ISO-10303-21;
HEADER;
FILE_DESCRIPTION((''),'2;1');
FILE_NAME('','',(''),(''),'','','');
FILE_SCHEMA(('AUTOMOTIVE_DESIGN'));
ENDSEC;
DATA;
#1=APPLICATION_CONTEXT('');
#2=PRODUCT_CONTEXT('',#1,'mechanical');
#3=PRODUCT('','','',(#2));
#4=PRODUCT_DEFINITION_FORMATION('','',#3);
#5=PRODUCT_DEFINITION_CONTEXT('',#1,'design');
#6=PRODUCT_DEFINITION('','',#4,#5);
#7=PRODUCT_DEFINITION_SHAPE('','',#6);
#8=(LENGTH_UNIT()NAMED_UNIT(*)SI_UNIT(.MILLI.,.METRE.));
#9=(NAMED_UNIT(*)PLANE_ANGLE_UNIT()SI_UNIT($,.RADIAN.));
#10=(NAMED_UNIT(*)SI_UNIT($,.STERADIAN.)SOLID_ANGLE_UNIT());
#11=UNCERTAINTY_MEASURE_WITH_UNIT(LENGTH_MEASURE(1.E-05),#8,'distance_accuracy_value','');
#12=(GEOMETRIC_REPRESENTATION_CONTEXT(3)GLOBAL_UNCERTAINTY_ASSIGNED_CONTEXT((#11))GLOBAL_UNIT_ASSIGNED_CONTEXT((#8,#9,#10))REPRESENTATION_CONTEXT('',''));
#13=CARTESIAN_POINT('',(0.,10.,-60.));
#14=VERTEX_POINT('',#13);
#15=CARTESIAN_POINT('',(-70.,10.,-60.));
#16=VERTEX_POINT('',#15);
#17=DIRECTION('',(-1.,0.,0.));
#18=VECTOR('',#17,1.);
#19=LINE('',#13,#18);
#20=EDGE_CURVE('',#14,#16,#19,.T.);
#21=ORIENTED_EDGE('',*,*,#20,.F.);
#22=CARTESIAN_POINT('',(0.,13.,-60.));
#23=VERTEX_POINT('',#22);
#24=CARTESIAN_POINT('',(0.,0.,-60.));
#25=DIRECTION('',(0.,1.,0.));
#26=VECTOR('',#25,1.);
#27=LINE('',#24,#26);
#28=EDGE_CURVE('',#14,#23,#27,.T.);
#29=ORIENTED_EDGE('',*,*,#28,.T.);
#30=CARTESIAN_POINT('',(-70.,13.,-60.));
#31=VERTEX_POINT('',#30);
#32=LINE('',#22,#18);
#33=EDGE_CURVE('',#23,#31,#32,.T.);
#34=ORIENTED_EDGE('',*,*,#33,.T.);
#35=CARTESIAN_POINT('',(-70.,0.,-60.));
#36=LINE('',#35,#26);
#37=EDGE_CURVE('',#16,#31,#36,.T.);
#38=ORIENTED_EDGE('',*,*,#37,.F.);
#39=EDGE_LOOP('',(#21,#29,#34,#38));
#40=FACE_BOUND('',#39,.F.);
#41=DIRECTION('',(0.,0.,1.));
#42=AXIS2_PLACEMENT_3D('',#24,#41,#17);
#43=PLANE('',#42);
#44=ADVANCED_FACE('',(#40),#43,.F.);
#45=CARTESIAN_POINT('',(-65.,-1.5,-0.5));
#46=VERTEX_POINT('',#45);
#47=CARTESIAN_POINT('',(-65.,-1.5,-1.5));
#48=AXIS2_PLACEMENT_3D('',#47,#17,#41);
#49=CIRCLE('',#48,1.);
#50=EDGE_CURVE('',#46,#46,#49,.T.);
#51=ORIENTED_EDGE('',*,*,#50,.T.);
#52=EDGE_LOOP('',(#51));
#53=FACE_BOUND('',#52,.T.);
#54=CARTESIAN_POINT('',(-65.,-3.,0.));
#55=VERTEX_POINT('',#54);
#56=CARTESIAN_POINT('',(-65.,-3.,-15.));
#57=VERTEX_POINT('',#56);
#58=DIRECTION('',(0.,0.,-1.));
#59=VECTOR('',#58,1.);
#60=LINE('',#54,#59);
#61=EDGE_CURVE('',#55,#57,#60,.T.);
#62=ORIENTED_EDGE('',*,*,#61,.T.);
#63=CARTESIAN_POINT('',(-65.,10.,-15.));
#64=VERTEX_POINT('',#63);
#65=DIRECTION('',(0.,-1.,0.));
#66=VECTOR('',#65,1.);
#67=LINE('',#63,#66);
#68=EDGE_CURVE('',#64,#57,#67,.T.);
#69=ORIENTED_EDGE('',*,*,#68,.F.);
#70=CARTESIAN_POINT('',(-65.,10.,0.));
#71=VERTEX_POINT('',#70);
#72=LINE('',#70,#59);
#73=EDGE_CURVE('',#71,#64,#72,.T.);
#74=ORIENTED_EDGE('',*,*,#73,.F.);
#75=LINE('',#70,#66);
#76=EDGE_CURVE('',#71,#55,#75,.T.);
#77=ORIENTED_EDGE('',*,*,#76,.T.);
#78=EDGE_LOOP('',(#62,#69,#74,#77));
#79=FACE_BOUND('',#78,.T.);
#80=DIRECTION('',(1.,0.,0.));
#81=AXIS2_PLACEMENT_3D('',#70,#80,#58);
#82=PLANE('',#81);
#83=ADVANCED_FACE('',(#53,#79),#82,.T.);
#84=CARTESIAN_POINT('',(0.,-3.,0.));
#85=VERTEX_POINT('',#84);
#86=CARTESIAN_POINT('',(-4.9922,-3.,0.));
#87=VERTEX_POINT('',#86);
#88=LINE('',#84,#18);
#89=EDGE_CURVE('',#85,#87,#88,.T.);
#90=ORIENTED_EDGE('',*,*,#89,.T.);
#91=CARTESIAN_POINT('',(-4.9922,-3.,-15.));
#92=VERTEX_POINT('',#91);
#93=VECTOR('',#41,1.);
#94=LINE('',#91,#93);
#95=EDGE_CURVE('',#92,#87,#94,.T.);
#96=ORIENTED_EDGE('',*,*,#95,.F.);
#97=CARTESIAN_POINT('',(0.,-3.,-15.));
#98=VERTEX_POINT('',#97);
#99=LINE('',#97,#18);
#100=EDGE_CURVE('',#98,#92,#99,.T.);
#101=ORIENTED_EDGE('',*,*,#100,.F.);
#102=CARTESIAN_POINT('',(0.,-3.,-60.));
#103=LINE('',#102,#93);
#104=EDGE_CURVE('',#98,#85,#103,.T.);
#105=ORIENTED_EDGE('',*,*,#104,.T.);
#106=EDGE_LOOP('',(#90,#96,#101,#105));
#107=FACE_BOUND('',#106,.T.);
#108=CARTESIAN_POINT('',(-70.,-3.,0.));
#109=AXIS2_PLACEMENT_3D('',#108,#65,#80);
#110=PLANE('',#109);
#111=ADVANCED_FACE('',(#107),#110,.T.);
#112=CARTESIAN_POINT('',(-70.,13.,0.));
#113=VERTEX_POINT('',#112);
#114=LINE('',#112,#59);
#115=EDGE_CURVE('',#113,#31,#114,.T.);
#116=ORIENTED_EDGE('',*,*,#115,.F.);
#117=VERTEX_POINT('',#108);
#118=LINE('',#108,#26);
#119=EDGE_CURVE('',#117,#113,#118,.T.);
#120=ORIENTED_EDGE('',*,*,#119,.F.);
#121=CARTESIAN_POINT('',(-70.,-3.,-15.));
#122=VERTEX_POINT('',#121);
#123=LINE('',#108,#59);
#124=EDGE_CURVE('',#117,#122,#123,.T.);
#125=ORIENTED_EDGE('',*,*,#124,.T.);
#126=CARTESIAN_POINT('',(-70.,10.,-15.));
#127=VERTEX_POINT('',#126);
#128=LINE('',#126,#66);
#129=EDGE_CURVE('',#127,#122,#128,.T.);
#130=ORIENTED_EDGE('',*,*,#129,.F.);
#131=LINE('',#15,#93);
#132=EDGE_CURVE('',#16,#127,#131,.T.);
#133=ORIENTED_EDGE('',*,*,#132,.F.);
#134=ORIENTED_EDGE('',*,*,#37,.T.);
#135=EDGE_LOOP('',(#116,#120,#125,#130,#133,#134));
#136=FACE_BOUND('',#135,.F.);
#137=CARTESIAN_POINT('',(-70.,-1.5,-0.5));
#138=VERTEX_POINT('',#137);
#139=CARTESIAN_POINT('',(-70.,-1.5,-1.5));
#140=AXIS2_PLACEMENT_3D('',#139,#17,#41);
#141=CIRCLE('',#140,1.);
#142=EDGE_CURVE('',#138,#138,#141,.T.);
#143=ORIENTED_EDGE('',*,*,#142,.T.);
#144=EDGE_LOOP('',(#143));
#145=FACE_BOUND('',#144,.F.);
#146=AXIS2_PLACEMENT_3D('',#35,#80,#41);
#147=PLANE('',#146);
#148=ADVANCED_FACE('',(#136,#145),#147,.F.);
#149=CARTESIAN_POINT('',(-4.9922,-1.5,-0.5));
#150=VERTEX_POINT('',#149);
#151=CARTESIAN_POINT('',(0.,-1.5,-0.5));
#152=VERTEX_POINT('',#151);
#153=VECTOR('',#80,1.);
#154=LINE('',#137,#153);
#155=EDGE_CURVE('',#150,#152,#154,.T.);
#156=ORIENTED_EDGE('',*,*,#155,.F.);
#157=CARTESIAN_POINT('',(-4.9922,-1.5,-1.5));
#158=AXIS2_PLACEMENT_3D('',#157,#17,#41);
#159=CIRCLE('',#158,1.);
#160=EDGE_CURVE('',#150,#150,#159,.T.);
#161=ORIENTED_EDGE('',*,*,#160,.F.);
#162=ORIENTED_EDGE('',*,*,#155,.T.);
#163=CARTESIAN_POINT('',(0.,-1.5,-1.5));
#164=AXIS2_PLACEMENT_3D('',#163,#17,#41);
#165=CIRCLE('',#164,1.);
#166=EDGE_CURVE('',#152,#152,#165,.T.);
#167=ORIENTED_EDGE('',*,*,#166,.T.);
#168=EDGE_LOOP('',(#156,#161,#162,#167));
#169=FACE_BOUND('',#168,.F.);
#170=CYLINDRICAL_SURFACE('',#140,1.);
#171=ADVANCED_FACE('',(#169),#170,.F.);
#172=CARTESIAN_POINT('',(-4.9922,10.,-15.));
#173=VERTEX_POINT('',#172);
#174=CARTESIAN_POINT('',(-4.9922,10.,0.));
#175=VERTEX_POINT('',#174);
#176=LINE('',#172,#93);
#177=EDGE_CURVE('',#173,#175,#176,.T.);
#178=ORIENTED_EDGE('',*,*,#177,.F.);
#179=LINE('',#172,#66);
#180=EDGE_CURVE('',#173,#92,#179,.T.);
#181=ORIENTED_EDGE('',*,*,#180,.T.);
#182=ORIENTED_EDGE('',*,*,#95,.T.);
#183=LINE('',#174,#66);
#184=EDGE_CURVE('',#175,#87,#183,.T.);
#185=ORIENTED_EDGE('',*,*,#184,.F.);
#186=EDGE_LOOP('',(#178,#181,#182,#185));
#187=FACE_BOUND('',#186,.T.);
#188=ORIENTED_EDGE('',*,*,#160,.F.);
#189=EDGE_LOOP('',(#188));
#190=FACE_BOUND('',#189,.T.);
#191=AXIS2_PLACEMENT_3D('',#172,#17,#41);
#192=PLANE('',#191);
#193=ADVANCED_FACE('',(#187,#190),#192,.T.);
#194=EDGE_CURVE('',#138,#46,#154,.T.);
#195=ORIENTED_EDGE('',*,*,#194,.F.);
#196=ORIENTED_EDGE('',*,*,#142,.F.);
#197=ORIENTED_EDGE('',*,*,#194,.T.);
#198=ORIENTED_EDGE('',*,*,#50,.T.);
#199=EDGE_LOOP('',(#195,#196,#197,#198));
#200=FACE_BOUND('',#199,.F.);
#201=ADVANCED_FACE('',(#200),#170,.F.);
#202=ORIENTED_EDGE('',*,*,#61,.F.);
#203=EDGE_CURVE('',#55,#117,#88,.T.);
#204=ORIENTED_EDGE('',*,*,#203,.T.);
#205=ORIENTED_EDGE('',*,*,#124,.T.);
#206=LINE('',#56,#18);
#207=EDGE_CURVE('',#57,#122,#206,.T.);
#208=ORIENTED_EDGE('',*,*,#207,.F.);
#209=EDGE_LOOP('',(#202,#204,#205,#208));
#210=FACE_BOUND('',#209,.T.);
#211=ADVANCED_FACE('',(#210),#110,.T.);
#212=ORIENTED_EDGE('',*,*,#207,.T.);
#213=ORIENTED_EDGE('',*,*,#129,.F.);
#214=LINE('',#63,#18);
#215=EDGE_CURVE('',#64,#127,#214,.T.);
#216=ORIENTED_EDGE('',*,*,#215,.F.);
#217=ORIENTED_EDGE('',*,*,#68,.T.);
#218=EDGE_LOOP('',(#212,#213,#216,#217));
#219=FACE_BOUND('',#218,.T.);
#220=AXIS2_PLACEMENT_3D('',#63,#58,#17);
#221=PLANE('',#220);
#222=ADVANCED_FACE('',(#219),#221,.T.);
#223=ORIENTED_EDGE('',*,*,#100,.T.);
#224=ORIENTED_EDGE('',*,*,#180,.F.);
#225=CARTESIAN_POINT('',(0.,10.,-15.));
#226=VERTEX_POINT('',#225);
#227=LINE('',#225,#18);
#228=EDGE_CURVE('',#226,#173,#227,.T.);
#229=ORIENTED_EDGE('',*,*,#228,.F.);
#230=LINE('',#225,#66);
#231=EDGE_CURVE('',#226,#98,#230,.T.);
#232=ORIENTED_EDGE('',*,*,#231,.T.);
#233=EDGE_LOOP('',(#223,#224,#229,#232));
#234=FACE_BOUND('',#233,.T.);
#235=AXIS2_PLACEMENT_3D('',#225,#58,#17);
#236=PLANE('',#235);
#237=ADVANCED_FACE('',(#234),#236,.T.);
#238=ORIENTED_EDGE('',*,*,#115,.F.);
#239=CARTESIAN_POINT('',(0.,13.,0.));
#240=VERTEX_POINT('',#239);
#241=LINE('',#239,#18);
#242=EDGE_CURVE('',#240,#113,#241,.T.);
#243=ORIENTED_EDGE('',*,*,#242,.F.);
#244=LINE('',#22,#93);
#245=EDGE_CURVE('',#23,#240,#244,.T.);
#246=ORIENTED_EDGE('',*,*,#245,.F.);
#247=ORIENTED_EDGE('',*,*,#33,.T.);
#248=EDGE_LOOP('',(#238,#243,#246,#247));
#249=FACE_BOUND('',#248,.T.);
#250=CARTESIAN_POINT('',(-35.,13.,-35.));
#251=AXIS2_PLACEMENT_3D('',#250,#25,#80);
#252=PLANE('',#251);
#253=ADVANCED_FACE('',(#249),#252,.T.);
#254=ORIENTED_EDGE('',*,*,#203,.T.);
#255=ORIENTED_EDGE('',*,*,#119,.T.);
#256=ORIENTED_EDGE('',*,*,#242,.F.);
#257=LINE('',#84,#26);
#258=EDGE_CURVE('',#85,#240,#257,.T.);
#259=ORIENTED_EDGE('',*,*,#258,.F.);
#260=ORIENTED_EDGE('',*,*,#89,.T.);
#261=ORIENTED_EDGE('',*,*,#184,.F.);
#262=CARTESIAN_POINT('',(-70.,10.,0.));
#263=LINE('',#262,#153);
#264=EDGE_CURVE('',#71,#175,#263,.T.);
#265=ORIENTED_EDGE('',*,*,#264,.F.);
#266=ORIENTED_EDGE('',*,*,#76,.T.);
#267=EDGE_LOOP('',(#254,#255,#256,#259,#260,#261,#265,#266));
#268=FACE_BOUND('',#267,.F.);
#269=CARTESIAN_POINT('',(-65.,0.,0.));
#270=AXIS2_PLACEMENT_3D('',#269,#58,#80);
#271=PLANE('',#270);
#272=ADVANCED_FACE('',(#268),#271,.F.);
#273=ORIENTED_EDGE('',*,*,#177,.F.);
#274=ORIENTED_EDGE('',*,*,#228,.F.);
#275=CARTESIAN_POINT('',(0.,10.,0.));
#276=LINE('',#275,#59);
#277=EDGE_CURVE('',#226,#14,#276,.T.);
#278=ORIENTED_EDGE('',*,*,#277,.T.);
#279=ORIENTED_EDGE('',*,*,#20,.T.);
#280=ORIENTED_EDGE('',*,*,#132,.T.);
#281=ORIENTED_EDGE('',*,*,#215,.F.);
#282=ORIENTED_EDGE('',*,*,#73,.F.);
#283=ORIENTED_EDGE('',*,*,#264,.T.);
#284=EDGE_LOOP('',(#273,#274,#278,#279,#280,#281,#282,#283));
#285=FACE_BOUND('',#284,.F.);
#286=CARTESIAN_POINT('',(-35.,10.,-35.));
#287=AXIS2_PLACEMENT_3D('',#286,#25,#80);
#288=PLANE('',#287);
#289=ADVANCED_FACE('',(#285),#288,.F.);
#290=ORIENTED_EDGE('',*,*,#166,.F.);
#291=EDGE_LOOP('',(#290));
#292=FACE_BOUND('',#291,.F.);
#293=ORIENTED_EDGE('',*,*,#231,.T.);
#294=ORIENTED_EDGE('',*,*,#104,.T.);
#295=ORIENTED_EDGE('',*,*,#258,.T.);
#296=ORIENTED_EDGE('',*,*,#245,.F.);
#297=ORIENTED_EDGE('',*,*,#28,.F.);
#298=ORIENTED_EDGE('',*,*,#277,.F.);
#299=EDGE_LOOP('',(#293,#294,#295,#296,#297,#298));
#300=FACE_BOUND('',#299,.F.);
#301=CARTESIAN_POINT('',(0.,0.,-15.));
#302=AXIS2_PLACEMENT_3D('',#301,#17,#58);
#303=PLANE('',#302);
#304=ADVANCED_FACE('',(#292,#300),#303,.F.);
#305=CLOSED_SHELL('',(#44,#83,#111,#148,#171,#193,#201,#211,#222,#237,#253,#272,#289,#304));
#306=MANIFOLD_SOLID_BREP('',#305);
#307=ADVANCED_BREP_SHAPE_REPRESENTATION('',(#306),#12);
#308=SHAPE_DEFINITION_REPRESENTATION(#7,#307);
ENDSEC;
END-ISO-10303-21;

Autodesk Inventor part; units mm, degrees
ref_plane "YZ Plane" through (0, 0, 0) normal (1, 0, 0) x (0, 1, 0)
ref_plane "Work Plane1" through (-35, 0, -35) normal (0, 1, 0) x (1, 0, 0)
ref_plane "Work Plane2" through (-23.7602, 13, -55.0885) normal (0, -1, 0) x (1, 0, 0)
sketch "Sketch1" plane through (-35, 0, -35) normal (0, 1, 0) x (1, 0, 0)
  line L0 (-4, 96.5) -> (-2.5, 96.5) projected
  line L1 (-2.5, 96.5) -> (-2.5, 43.5) projected
  line L2 (-2.5, 43.5) -> (-4, 43.5) projected
  line L3 (-4, 43.5) -> (-4, 96.5) projected
  line L4 (31, 43.5) -> (31, 96.5) projected
  line L5 (31, 96.5) -> (32.5, 96.5) projected
  line L6 (32.5, 96.5) -> (32.5, 43.5) projected
  line L7 (32.5, 43.5) -> (31, 43.5) projected
  line L8 (4, 96.5) -> (4, 43.5) projected
  line L9 (4, 43.5) -> (2.5, 43.5) projected
  line L10 (2.5, 43.5) -> (2.5, 96.5) projected
  line L11 (2.5, 96.5) -> (4, 96.5) projected
  line L12 (-31, 43.5) -> (-32.5, 43.5) projected
  line L13 (-32.5, 43.5) -> (-32.5, 96.5) projected
  line L14 (-32.5, 96.5) -> (-31, 96.5) projected
  line L15 (-31, 96.5) -> (-31, 43.5) projected
  circle A0 centre (0, 0) radius 8.5 projected
  line L16 (-35, -20) -> (-30, -20) projected
  line L17 (-30, -20) -> (-30, -35) projected
  line L18 (-30, -35) -> (30.0078, -35) projected
  line L19 (30.0078, -35) -> (30.0078, -20) projected
  line L20 (30.0078, -20) -> (35, -20) projected
  line L21 (35, -20) -> (35, 105) projected
  line L22 (35, 105) -> (-35, 105) projected
  line L23 (-35, 105) -> (-35, -20) projected
  line L24 (-35, -35) -> (35, -35)
  line L25 (35, -35) -> (35, 25)
  line L26 (35, 25) -> (-35, 25)
  line L27 (-35, 25) -> (-35, -35)
  line L28 (-4, 96.5) -> (-2.5, 96.5)
  line L29 (-2.5, 96.5) -> (-2.5, 43.5)
  line L30 (-2.5, 43.5) -> (-4, 43.5)
  line L31 (-4, 43.5) -> (-4, 96.5)
  line L32 (31, 43.5) -> (31, 96.5)
  line L33 (31, 96.5) -> (32.5, 96.5)
  line L34 (32.5, 96.5) -> (32.5, 43.5)
  line L35 (32.5, 43.5) -> (31, 43.5)
  line L36 (4, 96.5) -> (4, 43.5)
  line L37 (4, 43.5) -> (2.5, 43.5)
  line L38 (2.5, 43.5) -> (2.5, 96.5)
  line L39 (2.5, 96.5) -> (4, 96.5)
  line L40 (-31, 43.5) -> (-32.5, 43.5)
  line L41 (-32.5, 43.5) -> (-32.5, 96.5)
  line L42 (-32.5, 96.5) -> (-31, 96.5)
  line L43 (-31, 96.5) -> (-31, 43.5)
  circle A1 centre (0, 0) radius 8.5
  line L44 (-35, -20) -> (-30, -20)
  line L45 (-30, -20) -> (-30, -35)
  line L46 (-30, -35) -> (30.0078, -35)
  line L47 (30.0078, -35) -> (30.0078, -20)
  line L48 (30.0078, -20) -> (35, -20)
  line L49 (35, -20) -> (35, 105)
  line L50 (35, 105) -> (-35, 105)
  line L51 (-35, 105) -> (-35, -20)
  line L52 (-35, -35) -> (35, -35)
  line L53 (35, -35) -> (35, 25)
  line L54 (35, 25) -> (-35, 25)
  line L55 (-35, 25) -> (-35, -35)
  point P0 (35, -35)
  point P1 (35, -35)
  dimension "d0" = 60
  dimension "d3" = 60
extrude "Extrusion1" add sketch "Sketch1" along normal up to surface (13 mm away) contours A0 | L23 L26 L21 L20 L19 L18 L17 L16 | L16 L17 L24 L27 | L19 L20 L25 L24
sketch "Sketch2" plane through (-35, 0, -35) normal (0, 1, 0) x (1, 0, 0)
  line L0 (-4, 96.5) -> (-2.5, 96.5)
  line L1 (-2.5, 96.5) -> (-2.5, 43.5)
  line L2 (-2.5, 43.5) -> (-4, 43.5)
  line L3 (-4, 43.5) -> (-4, 96.5)
  line L4 (31, 43.5) -> (31, 96.5)
  line L5 (31, 96.5) -> (32.5, 96.5)
  line L6 (32.5, 96.5) -> (32.5, 43.5)
  line L7 (32.5, 43.5) -> (31, 43.5)
  line L8 (4, 96.5) -> (4, 43.5)
  line L9 (4, 43.5) -> (2.5, 43.5)
  line L10 (2.5, 43.5) -> (2.5, 96.5)
  line L11 (2.5, 96.5) -> (4, 96.5)
  line L12 (-31, 43.5) -> (-32.5, 43.5)
  line L13 (-32.5, 43.5) -> (-32.5, 96.5)
  line L14 (-32.5, 96.5) -> (-31, 96.5)
  line L15 (-31, 96.5) -> (-31, 43.5)
  circle A0 centre (0, 0) radius 8.5
  line L16 (-35, -20) -> (-30, -20)
  line L17 (-30, -20) -> (-30, -35)
  line L18 (-30, -35) -> (30.0078, -35)
  line L19 (30.0078, -35) -> (30.0078, -20)
  line L20 (30.0078, -20) -> (35, -20)
  line L21 (35, -20) -> (35, 105)
  line L22 (35, 105) -> (-35, 105)
  line L23 (-35, 105) -> (-35, -20)
  line L24 (-35, -35) -> (35, -35)
  line L25 (35, -35) -> (35, 25)
  line L26 (35, 25) -> (-35, 25)
  line L27 (-35, 25) -> (-35, -35)
  line L28 (-4, 96.5) -> (-2.5, 96.5)
  line L29 (-2.5, 96.5) -> (-2.5, 43.5)
  line L30 (-2.5, 43.5) -> (-4, 43.5)
  line L31 (-4, 43.5) -> (-4, 96.5)
  line L32 (31, 43.5) -> (31, 96.5)
  line L33 (31, 96.5) -> (32.5, 96.5)
  line L34 (32.5, 96.5) -> (32.5, 43.5)
  line L35 (32.5, 43.5) -> (31, 43.5)
  line L36 (4, 96.5) -> (4, 43.5)
  line L37 (4, 43.5) -> (2.5, 43.5)
  line L38 (2.5, 43.5) -> (2.5, 96.5)
  line L39 (2.5, 96.5) -> (4, 96.5)
  line L40 (-31, 43.5) -> (-32.5, 43.5)
  line L41 (-32.5, 43.5) -> (-32.5, 96.5)
  line L42 (-32.5, 96.5) -> (-31, 96.5)
  line L43 (-31, 96.5) -> (-31, 43.5)
  circle A1 centre (0, 0) radius 8.5
  line L44 (-35, -20) -> (-30, -20)
  line L45 (-30, -20) -> (-30, -35)
  line L46 (-30, -35) -> (30.0078, -35)
  line L47 (30.0078, -35) -> (30.0078, -20)
  line L48 (30.0078, -20) -> (35, -20)
  line L49 (35, -20) -> (35, 105)
  line L50 (35, 105) -> (-35, 105)
  line L51 (-35, 105) -> (-35, -20)
  line L52 (-35, -35) -> (35, -35)
  line L53 (35, -35) -> (35, 25)
  line L54 (35, 25) -> (-35, 25)
  line L55 (-35, 25) -> (-35, -35)
  point P0 (35, -35)
  point P1 (35, -35)
  point P2 (35, -35)
  dimension "d4" = 60
  dimension "d5" = 60
extrude "Extrusion2" cut sketch "Sketch2" against normal blind 3 from surface at 13 contours A0 | L23 L26 L21 L20 L19 L18 L17 L16 | L16 L17 L24 L27 | L19 L20 L25 L24 keep common part
sketch "Sketch3" plane through (-70, 10, 0) normal (0, -1, 0) x (1, 0, 0)
  line L0 (5, 0) -> (5, -15) projected
  line L1 (5, -15) -> (0, -15) projected
  line L2 (0, 0) -> (0, -60) projected
  line L3 (70, 0) -> (0, 0) projected
  line L4 (0, 0) -> (0, -60) projected
  line L5 (0, -60) -> (70, -60) projected
  line L6 (70, -60) -> (70, 0) projected
  line L7 (65.0078, -15) -> (65.0078, 0) projected
  line L8 (70, -15) -> (65.0078, -15) projected
  line L9 (70, -60) -> (70, 0) projected
  line L10 (0, -15) -> (5, -15)
  line L11 (5, -15) -> (5, 0)
  line L12 (5, 0) -> (0, 0)
  line L13 (0, 0) -> (0, -15)
  line L14 (65.0078, 0) -> (70, 0)
  line L15 (70, 0) -> (70, -15)
  line L16 (70, -15) -> (65.0078, -15)
  line L17 (65.0078, -15) -> (65.0078, 0)
ref_plane "Work Plane3" through (-70.7285, -3, -140.3642) normal (0, -1, 0) x (1, 0, 0)
extrude "Extrusion3" add sketch "Sketch3" along normal up to surface (13 mm away) contours L0 L1 L2 L3 | L3 L6 L8 L7
sketch "Sketch4" plane through (-70, 13, -60) normal (-1, 0, 0) x (0, 0, 1)
  line L0 (45, -16) -> (60, -16) projected
  line L1 (60, -13) -> (64.2426, -13) construction
  circle A0 centre (58.5, -14.5) radius 1
  dimension "d11" = 2
extrude "Extrusion4" cut sketch "Sketch4" against normal up to surface (70 mm away)
properties part number "base_3"
